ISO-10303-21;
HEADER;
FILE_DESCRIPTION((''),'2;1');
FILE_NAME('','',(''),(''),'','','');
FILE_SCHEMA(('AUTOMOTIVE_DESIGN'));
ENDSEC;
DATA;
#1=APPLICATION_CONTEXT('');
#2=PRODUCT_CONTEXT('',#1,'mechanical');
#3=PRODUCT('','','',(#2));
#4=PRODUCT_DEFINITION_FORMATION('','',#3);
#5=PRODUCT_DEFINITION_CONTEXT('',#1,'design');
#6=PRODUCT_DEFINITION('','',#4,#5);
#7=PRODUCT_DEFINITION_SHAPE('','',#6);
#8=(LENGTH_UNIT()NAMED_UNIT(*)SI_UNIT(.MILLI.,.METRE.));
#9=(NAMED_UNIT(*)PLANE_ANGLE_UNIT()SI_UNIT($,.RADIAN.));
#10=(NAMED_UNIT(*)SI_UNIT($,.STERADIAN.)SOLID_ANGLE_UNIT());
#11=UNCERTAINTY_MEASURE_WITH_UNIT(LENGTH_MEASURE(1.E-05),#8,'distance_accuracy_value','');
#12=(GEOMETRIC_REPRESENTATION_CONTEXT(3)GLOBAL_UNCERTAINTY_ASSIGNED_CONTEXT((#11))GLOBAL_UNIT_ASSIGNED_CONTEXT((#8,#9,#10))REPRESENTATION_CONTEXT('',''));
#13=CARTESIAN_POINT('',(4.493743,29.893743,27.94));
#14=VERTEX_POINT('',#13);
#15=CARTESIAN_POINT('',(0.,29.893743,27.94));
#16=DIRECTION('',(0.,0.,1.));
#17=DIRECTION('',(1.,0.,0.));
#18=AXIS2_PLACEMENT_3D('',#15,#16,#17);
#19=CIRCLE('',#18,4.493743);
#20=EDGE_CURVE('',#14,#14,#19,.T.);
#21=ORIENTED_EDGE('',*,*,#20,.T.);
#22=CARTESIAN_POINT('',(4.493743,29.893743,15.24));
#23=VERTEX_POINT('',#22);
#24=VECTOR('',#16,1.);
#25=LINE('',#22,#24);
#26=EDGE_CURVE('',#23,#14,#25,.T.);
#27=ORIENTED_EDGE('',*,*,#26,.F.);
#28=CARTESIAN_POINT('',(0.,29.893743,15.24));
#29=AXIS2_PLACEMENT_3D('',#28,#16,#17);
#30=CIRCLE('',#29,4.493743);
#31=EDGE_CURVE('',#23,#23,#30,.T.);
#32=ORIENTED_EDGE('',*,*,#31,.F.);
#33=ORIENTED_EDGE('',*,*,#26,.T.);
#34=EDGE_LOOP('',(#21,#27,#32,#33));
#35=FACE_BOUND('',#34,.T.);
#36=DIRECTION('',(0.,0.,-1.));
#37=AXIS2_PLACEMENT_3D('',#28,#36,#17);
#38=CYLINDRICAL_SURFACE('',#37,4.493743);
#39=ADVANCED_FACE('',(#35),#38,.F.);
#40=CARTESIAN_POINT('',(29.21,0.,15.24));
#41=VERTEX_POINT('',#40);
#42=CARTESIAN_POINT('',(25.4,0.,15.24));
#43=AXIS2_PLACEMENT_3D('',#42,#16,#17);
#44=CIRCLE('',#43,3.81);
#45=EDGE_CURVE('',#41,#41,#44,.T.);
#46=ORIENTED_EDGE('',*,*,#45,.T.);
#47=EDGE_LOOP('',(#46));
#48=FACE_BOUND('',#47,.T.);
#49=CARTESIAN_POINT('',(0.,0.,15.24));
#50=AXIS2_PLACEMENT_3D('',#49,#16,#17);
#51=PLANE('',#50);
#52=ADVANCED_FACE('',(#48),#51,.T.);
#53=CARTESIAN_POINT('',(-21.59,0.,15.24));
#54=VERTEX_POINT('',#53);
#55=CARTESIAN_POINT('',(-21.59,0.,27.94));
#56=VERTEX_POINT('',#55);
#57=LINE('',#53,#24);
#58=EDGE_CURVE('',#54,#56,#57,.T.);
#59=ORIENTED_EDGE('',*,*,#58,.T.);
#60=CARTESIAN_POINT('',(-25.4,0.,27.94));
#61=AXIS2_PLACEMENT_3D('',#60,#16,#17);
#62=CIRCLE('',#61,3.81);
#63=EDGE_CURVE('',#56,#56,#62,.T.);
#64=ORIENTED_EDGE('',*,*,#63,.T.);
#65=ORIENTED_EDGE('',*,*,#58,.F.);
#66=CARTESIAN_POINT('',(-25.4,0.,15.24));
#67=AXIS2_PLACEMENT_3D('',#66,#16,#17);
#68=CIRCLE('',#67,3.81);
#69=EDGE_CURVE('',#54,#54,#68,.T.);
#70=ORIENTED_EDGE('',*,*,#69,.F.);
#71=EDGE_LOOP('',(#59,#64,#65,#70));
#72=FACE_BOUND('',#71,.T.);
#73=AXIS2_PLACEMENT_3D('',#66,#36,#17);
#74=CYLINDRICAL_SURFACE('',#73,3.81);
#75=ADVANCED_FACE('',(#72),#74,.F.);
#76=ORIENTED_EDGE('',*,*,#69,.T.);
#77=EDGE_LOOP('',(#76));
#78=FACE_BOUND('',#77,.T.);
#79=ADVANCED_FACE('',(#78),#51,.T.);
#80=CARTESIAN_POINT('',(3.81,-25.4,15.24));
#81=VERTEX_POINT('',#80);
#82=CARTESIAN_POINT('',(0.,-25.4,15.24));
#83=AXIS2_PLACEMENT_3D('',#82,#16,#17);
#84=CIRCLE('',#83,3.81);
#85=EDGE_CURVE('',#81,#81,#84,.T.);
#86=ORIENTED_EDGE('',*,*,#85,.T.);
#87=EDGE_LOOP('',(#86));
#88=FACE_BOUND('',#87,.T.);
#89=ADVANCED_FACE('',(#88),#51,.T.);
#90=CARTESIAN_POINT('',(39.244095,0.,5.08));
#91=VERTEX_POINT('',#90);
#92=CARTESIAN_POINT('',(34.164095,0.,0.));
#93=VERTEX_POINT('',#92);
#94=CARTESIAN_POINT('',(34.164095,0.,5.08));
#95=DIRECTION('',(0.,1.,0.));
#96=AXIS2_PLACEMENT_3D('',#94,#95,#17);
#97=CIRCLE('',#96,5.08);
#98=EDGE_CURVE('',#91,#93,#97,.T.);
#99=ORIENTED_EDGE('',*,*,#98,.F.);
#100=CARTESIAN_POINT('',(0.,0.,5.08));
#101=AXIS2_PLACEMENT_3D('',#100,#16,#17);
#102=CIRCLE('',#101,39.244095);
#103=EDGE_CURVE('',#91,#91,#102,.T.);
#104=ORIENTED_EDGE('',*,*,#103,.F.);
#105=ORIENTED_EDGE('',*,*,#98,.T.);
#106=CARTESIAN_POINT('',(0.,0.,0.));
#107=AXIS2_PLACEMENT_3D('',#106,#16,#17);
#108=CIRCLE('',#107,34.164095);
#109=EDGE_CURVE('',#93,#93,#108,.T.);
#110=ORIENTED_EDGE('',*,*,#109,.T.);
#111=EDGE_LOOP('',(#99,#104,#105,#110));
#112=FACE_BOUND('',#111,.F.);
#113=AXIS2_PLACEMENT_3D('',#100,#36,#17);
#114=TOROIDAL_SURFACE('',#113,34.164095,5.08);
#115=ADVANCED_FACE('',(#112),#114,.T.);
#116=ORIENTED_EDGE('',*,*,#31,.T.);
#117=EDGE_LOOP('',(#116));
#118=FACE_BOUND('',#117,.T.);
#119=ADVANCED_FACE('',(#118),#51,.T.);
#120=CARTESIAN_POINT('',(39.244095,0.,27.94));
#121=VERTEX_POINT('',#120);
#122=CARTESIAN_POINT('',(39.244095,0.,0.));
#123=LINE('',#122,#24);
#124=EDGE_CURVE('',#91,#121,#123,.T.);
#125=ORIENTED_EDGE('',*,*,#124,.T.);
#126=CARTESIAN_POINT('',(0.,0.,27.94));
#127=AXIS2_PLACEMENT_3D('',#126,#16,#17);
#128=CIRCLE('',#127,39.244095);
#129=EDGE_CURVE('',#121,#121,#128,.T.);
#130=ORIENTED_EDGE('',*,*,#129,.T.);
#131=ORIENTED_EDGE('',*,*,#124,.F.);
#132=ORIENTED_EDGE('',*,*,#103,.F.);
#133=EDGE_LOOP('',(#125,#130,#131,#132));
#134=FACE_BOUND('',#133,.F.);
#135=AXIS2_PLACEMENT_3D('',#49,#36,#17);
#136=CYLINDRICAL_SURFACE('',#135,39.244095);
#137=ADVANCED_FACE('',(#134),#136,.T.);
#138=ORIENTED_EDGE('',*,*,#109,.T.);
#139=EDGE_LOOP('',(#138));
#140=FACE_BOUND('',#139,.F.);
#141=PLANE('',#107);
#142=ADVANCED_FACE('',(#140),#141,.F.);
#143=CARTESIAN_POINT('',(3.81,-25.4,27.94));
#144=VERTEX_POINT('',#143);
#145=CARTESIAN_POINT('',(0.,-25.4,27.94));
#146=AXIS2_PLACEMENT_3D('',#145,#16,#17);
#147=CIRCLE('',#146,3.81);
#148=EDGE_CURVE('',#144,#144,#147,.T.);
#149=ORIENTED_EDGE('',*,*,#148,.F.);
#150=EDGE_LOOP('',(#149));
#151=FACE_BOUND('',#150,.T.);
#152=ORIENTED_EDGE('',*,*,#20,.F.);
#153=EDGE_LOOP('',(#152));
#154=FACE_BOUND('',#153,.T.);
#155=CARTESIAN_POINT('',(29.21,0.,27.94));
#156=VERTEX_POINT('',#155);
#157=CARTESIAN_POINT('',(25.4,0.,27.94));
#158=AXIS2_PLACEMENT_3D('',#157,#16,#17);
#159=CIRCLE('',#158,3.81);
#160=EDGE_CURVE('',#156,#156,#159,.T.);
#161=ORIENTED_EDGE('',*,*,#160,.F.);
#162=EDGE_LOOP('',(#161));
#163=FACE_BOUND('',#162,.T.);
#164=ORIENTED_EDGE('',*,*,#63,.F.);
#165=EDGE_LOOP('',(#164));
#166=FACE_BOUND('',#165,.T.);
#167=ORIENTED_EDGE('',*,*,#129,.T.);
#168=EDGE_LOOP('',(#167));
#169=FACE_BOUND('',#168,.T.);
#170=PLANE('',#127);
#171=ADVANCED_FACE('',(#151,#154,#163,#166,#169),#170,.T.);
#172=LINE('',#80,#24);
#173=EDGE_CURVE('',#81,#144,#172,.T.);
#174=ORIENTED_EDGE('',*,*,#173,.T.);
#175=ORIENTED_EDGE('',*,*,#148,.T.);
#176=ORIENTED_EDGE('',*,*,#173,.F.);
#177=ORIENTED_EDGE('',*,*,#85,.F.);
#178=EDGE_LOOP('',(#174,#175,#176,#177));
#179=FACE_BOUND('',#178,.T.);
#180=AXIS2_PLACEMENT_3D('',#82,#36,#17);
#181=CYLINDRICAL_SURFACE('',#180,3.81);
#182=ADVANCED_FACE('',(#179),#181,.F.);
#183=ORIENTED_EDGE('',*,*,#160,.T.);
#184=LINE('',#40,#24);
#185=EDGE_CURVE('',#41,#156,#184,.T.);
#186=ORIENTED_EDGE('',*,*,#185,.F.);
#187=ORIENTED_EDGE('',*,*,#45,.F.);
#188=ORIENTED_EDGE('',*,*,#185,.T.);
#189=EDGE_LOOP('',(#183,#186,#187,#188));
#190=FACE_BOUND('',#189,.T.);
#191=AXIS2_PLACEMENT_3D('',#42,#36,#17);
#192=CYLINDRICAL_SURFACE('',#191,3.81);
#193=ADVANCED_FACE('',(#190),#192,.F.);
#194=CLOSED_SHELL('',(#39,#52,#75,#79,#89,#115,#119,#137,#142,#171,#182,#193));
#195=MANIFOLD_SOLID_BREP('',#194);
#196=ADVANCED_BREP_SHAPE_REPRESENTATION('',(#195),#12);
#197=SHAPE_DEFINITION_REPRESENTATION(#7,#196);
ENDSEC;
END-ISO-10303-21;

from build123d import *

# Parameters (mm, degrees)
F0_R     = 39.244095
F1_DEPTH = 15.24
F3_R     = 39.244095
F3_R_2   = 3.81
F3_R_3   = 4.493743
F4_DEPTH = 12.7
F5_R     = 5.08


with BuildPart() as f1:
    # F0 (on Top) → F1 (new body)
    with BuildSketch(Plane.XY):
        Circle(F0_R)
    extrude(amount=F1_DEPTH)

    # F3 (on face) → F4 (join)
    with BuildSketch(Plane.XY.offset(15.24)):
        Circle(F3_R)
        with Locations((0, -25.4)):
            Circle(F3_R_2, mode=Mode.SUBTRACT)
        with Locations((-25.4, 0)):
            Circle(F3_R_2, mode=Mode.SUBTRACT)
        with Locations((25.4, 0)):
            Circle(F3_R_2, mode=Mode.SUBTRACT)
        with Locations((0, 29.893743)):
            Circle(F3_R_3, mode=Mode.SUBTRACT)
    extrude(amount=F4_DEPTH)

    # F5
    f5_edges = [f1.edges().sort_by_distance(p)[0] for p in [
        (-39.244095, 0, 0),
    ]]
    fillet(f5_edges, radius=F5_R)


solid = f1.part
